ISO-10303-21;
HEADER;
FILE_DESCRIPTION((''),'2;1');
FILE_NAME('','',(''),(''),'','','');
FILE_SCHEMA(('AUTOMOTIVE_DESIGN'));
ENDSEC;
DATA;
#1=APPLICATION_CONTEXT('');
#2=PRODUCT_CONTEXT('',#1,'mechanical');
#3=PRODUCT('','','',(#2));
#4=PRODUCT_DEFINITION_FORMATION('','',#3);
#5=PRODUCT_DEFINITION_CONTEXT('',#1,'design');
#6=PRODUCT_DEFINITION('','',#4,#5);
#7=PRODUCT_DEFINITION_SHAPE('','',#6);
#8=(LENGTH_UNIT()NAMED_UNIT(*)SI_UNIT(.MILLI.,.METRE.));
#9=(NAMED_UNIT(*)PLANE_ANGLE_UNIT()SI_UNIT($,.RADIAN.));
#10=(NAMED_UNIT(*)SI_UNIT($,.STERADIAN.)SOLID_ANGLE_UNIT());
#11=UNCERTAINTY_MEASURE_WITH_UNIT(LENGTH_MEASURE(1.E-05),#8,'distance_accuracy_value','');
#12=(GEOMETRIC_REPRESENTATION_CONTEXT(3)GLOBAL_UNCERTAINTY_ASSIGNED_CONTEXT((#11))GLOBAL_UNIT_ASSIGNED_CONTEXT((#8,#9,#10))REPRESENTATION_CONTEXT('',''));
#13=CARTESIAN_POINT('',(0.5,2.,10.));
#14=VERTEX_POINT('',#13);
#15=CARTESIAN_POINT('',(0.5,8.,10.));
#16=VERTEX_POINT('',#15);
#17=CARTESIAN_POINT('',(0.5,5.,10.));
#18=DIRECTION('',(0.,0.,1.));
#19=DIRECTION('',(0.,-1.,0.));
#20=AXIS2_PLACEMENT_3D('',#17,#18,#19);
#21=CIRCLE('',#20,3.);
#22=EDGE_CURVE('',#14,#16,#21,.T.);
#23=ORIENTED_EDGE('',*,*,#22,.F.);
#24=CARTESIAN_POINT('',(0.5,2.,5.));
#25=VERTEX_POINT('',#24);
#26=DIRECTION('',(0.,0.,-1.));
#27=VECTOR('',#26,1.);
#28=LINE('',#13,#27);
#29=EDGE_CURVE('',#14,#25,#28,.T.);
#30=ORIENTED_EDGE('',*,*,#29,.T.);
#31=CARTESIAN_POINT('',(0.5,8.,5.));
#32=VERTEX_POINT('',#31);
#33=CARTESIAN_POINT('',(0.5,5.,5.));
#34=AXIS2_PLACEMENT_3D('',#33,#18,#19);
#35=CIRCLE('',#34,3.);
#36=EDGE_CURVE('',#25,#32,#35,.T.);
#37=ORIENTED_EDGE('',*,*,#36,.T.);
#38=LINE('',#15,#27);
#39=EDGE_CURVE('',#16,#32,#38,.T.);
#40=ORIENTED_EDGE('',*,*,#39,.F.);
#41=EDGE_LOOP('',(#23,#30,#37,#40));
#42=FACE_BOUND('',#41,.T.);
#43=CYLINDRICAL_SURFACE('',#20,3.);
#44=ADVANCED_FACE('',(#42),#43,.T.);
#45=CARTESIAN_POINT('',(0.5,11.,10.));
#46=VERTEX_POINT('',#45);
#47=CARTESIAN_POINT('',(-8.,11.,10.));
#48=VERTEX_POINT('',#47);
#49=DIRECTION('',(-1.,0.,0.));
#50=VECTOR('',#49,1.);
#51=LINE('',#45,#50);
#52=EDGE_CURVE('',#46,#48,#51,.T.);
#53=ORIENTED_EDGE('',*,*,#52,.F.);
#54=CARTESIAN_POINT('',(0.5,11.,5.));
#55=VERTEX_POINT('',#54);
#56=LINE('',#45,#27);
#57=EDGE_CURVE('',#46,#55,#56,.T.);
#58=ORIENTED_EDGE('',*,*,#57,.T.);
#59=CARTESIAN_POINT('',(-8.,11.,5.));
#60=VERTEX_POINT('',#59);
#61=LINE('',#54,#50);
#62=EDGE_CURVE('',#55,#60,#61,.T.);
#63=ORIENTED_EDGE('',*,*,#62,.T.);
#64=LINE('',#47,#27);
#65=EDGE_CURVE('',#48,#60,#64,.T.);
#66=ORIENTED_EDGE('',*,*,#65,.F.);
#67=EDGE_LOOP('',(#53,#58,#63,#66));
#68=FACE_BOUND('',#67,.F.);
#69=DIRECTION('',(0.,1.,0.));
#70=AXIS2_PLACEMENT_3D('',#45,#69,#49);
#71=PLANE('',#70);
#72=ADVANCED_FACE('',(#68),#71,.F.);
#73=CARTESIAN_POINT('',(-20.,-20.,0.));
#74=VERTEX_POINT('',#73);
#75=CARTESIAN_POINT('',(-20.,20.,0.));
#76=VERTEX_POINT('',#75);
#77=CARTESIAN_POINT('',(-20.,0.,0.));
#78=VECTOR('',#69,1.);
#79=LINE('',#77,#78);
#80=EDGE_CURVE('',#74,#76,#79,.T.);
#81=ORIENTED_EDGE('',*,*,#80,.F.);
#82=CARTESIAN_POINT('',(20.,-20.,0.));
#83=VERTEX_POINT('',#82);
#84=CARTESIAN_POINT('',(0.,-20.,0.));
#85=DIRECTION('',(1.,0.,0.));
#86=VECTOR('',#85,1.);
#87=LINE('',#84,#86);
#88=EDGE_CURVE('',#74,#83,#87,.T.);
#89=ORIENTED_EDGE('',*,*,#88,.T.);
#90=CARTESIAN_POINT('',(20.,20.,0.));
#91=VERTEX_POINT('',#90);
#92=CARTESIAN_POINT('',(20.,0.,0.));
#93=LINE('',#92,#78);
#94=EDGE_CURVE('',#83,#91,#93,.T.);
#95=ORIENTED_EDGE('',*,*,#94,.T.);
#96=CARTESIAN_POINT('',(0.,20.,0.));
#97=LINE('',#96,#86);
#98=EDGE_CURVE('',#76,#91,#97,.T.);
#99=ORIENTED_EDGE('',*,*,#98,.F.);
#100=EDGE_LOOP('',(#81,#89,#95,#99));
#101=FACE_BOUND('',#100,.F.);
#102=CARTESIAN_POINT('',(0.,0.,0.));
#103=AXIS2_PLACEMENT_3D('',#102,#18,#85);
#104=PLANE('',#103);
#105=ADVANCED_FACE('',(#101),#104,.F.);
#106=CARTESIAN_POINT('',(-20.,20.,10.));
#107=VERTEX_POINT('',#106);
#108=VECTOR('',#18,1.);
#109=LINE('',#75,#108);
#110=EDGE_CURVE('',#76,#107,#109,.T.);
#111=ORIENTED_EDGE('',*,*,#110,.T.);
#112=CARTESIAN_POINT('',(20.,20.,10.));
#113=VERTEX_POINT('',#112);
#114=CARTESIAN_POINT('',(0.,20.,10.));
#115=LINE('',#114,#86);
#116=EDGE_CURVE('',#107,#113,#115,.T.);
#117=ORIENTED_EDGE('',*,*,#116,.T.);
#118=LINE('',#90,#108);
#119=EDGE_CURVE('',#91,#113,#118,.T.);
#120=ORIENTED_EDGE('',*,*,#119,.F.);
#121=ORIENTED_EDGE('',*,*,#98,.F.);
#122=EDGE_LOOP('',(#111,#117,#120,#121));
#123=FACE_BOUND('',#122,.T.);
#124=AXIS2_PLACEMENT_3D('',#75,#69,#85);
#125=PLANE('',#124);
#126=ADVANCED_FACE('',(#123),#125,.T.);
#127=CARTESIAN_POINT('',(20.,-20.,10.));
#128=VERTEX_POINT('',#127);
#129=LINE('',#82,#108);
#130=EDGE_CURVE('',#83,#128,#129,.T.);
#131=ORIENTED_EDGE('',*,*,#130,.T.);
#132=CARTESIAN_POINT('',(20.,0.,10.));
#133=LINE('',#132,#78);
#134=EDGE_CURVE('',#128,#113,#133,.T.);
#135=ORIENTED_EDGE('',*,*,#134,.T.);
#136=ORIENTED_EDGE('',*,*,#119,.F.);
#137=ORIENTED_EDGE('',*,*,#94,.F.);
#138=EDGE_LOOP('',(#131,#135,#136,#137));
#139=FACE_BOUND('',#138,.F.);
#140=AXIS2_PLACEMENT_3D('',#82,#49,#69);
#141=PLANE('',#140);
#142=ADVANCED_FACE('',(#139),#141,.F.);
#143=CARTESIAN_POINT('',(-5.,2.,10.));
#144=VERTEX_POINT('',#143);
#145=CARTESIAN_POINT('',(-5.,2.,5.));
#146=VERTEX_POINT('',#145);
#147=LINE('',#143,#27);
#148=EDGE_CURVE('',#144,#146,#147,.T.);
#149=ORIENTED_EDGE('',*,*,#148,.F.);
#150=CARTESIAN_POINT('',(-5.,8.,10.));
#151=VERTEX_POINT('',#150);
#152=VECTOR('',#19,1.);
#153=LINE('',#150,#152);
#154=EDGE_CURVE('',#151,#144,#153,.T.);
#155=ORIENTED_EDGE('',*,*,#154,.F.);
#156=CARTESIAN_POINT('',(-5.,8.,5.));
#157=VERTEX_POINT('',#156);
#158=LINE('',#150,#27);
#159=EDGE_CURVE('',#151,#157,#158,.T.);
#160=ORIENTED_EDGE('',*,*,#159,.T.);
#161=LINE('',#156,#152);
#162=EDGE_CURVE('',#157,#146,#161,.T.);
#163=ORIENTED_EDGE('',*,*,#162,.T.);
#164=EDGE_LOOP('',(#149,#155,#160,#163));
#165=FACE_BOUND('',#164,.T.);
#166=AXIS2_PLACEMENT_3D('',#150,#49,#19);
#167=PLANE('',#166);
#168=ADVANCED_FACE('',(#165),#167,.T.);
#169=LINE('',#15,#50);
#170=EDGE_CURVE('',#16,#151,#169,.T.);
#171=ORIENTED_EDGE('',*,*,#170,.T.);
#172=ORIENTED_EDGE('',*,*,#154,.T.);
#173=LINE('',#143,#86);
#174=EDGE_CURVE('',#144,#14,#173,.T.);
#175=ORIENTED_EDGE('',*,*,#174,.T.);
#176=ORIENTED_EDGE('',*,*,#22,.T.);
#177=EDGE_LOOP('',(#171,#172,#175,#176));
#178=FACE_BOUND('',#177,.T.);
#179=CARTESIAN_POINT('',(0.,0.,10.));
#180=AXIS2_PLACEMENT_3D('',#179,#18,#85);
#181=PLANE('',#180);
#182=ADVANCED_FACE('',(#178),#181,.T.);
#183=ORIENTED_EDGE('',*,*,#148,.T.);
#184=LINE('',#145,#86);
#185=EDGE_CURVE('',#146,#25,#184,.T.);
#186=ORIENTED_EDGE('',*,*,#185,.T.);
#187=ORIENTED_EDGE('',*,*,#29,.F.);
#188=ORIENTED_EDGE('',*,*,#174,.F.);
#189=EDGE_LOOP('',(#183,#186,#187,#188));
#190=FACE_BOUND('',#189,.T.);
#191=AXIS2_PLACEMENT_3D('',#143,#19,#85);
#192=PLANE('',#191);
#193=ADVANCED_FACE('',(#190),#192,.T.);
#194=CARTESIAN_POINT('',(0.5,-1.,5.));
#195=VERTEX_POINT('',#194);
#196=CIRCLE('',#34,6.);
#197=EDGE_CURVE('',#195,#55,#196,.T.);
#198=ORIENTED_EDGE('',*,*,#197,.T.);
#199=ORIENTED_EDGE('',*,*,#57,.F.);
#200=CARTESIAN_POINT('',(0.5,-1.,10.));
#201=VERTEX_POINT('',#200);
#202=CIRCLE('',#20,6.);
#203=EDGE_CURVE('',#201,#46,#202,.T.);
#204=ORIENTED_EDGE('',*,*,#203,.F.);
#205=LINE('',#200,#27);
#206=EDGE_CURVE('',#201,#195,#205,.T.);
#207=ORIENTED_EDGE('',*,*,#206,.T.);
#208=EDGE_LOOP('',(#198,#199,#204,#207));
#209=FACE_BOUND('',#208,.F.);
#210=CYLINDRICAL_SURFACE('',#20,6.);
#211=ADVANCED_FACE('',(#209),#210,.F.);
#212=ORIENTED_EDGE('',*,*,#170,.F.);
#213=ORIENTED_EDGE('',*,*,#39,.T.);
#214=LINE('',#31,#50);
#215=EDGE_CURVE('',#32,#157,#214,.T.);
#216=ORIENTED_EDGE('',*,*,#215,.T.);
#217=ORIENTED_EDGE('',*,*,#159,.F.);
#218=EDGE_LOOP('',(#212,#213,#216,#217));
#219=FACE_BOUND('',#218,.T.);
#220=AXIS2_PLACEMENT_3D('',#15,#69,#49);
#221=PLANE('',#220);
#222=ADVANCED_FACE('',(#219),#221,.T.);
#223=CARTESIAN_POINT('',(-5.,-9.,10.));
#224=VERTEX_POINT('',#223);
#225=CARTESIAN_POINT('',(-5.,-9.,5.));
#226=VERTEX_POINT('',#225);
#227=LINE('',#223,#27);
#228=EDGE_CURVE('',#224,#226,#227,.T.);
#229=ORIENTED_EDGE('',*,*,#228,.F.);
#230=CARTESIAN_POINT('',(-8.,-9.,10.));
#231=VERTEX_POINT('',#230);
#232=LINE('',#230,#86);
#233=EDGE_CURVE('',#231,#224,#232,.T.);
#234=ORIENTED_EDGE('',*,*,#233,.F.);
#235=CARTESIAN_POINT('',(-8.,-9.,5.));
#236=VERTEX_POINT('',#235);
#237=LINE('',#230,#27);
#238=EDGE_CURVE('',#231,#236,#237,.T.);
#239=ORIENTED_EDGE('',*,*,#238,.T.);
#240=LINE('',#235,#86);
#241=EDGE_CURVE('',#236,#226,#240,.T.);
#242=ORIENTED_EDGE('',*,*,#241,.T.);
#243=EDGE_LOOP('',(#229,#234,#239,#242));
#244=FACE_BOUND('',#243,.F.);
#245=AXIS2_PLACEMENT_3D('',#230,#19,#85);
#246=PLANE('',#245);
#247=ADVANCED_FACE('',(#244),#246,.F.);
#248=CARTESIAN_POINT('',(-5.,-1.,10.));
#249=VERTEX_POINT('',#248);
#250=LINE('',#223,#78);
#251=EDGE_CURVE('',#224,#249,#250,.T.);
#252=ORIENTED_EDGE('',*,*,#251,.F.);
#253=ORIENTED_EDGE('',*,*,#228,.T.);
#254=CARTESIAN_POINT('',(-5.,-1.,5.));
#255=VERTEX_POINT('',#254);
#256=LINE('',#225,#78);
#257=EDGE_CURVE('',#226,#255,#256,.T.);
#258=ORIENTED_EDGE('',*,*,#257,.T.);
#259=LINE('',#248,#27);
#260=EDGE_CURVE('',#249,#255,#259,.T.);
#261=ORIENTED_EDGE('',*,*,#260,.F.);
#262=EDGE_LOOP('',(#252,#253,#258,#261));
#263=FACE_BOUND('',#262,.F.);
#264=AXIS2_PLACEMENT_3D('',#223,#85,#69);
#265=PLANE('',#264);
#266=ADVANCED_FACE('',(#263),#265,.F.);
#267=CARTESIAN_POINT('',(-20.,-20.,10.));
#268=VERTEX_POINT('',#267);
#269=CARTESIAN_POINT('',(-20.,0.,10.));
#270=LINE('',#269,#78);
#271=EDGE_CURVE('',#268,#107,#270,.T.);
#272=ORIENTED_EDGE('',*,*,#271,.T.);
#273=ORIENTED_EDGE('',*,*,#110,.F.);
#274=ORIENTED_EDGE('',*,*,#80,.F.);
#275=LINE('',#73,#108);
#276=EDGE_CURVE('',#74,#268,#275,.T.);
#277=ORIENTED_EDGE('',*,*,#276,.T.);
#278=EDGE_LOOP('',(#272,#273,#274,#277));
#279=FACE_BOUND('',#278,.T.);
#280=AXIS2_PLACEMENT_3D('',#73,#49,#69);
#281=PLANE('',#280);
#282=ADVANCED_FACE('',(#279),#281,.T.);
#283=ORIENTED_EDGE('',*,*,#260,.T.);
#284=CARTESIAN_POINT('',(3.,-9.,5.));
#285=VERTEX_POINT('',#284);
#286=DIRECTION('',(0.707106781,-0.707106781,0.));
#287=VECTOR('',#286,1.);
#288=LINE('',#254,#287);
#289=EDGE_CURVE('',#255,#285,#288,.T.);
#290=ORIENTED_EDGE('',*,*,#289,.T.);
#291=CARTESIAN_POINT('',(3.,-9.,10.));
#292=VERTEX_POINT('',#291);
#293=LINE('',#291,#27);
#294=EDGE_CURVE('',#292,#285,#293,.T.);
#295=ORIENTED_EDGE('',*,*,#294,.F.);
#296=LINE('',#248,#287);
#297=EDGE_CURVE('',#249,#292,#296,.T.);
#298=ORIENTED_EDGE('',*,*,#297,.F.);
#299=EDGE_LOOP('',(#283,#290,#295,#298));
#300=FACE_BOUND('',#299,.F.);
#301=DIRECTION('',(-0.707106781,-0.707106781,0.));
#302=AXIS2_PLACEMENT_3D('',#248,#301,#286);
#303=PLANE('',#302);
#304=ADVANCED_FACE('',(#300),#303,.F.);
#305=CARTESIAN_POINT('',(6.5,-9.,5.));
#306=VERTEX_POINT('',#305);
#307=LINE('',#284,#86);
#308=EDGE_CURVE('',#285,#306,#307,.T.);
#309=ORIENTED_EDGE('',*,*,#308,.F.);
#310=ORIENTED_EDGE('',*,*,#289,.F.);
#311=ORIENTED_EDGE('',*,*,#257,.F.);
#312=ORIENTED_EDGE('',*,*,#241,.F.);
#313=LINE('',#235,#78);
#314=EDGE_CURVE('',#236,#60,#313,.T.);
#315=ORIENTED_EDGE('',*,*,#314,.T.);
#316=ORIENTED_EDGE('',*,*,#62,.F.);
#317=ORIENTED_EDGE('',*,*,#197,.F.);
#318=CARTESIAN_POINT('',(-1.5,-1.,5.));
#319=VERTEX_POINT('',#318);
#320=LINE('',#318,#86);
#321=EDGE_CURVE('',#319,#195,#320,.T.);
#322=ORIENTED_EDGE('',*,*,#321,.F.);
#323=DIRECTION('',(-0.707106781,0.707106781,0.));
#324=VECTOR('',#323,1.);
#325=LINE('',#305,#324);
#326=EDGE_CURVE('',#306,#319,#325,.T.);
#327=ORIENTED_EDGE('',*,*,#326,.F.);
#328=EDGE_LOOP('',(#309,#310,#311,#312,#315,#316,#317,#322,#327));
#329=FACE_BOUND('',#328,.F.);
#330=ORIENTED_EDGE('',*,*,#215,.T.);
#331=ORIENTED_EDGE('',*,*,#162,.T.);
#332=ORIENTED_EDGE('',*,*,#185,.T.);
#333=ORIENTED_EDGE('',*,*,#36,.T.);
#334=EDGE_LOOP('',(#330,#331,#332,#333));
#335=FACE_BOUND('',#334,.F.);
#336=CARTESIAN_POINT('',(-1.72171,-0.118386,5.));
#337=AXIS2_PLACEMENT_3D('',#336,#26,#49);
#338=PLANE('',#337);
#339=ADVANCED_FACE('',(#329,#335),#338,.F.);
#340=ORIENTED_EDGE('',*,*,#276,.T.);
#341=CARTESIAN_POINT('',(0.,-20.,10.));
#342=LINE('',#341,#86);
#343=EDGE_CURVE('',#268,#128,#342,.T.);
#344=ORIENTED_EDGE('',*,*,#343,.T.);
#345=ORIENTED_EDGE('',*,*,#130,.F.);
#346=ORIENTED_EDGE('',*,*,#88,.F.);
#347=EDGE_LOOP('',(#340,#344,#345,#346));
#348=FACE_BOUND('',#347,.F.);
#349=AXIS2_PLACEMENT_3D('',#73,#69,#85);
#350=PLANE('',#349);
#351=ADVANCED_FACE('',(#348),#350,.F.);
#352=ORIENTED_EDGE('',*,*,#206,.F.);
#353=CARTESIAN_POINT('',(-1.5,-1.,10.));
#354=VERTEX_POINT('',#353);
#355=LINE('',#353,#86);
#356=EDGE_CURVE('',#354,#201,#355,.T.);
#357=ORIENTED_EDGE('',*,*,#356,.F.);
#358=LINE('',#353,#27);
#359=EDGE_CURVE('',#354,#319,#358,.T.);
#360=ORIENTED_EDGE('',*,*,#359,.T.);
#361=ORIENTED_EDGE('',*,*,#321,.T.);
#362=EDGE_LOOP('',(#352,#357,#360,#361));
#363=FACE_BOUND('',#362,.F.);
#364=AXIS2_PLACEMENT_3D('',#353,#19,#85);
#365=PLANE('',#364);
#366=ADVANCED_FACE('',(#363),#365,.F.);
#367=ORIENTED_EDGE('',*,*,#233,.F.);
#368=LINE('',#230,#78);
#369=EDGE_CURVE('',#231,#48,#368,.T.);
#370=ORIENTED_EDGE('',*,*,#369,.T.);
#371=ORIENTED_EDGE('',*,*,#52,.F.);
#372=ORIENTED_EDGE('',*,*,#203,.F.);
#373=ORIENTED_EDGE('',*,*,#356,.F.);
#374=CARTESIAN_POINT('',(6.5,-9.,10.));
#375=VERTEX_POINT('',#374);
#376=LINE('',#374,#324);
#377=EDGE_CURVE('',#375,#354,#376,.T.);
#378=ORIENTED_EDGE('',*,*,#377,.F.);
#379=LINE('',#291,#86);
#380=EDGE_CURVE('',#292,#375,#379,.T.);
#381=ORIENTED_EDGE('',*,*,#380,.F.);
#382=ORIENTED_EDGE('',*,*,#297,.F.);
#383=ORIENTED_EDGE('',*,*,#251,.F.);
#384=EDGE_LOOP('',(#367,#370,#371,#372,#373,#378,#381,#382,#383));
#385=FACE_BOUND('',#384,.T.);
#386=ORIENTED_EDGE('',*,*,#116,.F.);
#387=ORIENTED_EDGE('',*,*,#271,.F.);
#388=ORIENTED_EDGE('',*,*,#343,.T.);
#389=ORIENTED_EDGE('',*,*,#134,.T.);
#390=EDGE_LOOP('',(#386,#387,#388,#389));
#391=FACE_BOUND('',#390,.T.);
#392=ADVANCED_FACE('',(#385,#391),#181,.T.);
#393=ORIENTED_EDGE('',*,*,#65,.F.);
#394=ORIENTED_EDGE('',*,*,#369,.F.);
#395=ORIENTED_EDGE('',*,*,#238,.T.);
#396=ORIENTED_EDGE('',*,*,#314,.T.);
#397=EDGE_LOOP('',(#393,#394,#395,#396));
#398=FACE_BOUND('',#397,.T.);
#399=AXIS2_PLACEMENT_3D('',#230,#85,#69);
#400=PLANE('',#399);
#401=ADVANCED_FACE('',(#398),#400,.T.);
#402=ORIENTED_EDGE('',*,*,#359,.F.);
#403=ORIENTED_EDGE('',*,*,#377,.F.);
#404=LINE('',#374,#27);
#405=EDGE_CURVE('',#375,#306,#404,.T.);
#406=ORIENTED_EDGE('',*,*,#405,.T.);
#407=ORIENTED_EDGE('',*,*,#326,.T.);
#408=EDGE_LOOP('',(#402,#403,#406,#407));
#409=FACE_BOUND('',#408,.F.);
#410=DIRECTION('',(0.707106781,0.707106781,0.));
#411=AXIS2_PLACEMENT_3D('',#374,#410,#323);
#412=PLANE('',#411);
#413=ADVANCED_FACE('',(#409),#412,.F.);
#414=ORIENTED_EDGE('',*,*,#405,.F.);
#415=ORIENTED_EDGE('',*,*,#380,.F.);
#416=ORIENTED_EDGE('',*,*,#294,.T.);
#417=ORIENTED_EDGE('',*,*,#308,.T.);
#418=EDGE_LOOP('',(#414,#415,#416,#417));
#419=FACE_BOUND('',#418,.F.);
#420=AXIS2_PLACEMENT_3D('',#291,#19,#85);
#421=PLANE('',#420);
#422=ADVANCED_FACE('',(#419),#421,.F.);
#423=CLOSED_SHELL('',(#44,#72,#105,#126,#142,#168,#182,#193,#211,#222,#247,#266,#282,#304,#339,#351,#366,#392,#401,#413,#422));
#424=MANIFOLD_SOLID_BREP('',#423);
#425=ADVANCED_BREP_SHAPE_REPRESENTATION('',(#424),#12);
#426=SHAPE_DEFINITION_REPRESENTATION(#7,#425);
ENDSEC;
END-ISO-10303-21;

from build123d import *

# Parameters (mm, degrees)
SKETCH_W     = 40
SKETCH_H     = 40
PAD_DEPTH    = 10
POCKET_DEPTH = 5


with BuildPart() as part:
    # Sketch → Pad (new body)
    with BuildSketch(Plane.XY):
        Rectangle(SKETCH_W, SKETCH_H)
    extrude(amount=PAD_DEPTH)

    # Sketch001 (on Face6 of Pad) → Pocket (cut)
    with BuildSketch(Plane.XY.offset(10)):
        with BuildLine():
            Line((-8, -9), (-8, 11))
            Line((0.5, 11), (-8, 11))
            ThreePointArc((0.5, -1), (6.5, 5), (0.5, 11))
            Line((-1.5, -1), (0.5, -1))
            Line((6.5, -9), (-1.5, -1))
            Line((3, -9), (6.5, -9))
            Line((-5, -1), (3, -9))
            Line((-5, -9), (-5, -1))
            Line((-8, -9), (-5, -9))
        make_face()
        with BuildLine():
            ThreePointArc((0.5, 2), (3.5, 5), (0.5, 8))
            Line((0.5, 8), (-5, 8))
            Line((-5, 8), (-5, 2))
            Line((-5, 2), (0.5, 2))
        make_face(mode=Mode.SUBTRACT)
    extrude(amount=-POCKET_DEPTH, mode=Mode.SUBTRACT)


solid = part.part
